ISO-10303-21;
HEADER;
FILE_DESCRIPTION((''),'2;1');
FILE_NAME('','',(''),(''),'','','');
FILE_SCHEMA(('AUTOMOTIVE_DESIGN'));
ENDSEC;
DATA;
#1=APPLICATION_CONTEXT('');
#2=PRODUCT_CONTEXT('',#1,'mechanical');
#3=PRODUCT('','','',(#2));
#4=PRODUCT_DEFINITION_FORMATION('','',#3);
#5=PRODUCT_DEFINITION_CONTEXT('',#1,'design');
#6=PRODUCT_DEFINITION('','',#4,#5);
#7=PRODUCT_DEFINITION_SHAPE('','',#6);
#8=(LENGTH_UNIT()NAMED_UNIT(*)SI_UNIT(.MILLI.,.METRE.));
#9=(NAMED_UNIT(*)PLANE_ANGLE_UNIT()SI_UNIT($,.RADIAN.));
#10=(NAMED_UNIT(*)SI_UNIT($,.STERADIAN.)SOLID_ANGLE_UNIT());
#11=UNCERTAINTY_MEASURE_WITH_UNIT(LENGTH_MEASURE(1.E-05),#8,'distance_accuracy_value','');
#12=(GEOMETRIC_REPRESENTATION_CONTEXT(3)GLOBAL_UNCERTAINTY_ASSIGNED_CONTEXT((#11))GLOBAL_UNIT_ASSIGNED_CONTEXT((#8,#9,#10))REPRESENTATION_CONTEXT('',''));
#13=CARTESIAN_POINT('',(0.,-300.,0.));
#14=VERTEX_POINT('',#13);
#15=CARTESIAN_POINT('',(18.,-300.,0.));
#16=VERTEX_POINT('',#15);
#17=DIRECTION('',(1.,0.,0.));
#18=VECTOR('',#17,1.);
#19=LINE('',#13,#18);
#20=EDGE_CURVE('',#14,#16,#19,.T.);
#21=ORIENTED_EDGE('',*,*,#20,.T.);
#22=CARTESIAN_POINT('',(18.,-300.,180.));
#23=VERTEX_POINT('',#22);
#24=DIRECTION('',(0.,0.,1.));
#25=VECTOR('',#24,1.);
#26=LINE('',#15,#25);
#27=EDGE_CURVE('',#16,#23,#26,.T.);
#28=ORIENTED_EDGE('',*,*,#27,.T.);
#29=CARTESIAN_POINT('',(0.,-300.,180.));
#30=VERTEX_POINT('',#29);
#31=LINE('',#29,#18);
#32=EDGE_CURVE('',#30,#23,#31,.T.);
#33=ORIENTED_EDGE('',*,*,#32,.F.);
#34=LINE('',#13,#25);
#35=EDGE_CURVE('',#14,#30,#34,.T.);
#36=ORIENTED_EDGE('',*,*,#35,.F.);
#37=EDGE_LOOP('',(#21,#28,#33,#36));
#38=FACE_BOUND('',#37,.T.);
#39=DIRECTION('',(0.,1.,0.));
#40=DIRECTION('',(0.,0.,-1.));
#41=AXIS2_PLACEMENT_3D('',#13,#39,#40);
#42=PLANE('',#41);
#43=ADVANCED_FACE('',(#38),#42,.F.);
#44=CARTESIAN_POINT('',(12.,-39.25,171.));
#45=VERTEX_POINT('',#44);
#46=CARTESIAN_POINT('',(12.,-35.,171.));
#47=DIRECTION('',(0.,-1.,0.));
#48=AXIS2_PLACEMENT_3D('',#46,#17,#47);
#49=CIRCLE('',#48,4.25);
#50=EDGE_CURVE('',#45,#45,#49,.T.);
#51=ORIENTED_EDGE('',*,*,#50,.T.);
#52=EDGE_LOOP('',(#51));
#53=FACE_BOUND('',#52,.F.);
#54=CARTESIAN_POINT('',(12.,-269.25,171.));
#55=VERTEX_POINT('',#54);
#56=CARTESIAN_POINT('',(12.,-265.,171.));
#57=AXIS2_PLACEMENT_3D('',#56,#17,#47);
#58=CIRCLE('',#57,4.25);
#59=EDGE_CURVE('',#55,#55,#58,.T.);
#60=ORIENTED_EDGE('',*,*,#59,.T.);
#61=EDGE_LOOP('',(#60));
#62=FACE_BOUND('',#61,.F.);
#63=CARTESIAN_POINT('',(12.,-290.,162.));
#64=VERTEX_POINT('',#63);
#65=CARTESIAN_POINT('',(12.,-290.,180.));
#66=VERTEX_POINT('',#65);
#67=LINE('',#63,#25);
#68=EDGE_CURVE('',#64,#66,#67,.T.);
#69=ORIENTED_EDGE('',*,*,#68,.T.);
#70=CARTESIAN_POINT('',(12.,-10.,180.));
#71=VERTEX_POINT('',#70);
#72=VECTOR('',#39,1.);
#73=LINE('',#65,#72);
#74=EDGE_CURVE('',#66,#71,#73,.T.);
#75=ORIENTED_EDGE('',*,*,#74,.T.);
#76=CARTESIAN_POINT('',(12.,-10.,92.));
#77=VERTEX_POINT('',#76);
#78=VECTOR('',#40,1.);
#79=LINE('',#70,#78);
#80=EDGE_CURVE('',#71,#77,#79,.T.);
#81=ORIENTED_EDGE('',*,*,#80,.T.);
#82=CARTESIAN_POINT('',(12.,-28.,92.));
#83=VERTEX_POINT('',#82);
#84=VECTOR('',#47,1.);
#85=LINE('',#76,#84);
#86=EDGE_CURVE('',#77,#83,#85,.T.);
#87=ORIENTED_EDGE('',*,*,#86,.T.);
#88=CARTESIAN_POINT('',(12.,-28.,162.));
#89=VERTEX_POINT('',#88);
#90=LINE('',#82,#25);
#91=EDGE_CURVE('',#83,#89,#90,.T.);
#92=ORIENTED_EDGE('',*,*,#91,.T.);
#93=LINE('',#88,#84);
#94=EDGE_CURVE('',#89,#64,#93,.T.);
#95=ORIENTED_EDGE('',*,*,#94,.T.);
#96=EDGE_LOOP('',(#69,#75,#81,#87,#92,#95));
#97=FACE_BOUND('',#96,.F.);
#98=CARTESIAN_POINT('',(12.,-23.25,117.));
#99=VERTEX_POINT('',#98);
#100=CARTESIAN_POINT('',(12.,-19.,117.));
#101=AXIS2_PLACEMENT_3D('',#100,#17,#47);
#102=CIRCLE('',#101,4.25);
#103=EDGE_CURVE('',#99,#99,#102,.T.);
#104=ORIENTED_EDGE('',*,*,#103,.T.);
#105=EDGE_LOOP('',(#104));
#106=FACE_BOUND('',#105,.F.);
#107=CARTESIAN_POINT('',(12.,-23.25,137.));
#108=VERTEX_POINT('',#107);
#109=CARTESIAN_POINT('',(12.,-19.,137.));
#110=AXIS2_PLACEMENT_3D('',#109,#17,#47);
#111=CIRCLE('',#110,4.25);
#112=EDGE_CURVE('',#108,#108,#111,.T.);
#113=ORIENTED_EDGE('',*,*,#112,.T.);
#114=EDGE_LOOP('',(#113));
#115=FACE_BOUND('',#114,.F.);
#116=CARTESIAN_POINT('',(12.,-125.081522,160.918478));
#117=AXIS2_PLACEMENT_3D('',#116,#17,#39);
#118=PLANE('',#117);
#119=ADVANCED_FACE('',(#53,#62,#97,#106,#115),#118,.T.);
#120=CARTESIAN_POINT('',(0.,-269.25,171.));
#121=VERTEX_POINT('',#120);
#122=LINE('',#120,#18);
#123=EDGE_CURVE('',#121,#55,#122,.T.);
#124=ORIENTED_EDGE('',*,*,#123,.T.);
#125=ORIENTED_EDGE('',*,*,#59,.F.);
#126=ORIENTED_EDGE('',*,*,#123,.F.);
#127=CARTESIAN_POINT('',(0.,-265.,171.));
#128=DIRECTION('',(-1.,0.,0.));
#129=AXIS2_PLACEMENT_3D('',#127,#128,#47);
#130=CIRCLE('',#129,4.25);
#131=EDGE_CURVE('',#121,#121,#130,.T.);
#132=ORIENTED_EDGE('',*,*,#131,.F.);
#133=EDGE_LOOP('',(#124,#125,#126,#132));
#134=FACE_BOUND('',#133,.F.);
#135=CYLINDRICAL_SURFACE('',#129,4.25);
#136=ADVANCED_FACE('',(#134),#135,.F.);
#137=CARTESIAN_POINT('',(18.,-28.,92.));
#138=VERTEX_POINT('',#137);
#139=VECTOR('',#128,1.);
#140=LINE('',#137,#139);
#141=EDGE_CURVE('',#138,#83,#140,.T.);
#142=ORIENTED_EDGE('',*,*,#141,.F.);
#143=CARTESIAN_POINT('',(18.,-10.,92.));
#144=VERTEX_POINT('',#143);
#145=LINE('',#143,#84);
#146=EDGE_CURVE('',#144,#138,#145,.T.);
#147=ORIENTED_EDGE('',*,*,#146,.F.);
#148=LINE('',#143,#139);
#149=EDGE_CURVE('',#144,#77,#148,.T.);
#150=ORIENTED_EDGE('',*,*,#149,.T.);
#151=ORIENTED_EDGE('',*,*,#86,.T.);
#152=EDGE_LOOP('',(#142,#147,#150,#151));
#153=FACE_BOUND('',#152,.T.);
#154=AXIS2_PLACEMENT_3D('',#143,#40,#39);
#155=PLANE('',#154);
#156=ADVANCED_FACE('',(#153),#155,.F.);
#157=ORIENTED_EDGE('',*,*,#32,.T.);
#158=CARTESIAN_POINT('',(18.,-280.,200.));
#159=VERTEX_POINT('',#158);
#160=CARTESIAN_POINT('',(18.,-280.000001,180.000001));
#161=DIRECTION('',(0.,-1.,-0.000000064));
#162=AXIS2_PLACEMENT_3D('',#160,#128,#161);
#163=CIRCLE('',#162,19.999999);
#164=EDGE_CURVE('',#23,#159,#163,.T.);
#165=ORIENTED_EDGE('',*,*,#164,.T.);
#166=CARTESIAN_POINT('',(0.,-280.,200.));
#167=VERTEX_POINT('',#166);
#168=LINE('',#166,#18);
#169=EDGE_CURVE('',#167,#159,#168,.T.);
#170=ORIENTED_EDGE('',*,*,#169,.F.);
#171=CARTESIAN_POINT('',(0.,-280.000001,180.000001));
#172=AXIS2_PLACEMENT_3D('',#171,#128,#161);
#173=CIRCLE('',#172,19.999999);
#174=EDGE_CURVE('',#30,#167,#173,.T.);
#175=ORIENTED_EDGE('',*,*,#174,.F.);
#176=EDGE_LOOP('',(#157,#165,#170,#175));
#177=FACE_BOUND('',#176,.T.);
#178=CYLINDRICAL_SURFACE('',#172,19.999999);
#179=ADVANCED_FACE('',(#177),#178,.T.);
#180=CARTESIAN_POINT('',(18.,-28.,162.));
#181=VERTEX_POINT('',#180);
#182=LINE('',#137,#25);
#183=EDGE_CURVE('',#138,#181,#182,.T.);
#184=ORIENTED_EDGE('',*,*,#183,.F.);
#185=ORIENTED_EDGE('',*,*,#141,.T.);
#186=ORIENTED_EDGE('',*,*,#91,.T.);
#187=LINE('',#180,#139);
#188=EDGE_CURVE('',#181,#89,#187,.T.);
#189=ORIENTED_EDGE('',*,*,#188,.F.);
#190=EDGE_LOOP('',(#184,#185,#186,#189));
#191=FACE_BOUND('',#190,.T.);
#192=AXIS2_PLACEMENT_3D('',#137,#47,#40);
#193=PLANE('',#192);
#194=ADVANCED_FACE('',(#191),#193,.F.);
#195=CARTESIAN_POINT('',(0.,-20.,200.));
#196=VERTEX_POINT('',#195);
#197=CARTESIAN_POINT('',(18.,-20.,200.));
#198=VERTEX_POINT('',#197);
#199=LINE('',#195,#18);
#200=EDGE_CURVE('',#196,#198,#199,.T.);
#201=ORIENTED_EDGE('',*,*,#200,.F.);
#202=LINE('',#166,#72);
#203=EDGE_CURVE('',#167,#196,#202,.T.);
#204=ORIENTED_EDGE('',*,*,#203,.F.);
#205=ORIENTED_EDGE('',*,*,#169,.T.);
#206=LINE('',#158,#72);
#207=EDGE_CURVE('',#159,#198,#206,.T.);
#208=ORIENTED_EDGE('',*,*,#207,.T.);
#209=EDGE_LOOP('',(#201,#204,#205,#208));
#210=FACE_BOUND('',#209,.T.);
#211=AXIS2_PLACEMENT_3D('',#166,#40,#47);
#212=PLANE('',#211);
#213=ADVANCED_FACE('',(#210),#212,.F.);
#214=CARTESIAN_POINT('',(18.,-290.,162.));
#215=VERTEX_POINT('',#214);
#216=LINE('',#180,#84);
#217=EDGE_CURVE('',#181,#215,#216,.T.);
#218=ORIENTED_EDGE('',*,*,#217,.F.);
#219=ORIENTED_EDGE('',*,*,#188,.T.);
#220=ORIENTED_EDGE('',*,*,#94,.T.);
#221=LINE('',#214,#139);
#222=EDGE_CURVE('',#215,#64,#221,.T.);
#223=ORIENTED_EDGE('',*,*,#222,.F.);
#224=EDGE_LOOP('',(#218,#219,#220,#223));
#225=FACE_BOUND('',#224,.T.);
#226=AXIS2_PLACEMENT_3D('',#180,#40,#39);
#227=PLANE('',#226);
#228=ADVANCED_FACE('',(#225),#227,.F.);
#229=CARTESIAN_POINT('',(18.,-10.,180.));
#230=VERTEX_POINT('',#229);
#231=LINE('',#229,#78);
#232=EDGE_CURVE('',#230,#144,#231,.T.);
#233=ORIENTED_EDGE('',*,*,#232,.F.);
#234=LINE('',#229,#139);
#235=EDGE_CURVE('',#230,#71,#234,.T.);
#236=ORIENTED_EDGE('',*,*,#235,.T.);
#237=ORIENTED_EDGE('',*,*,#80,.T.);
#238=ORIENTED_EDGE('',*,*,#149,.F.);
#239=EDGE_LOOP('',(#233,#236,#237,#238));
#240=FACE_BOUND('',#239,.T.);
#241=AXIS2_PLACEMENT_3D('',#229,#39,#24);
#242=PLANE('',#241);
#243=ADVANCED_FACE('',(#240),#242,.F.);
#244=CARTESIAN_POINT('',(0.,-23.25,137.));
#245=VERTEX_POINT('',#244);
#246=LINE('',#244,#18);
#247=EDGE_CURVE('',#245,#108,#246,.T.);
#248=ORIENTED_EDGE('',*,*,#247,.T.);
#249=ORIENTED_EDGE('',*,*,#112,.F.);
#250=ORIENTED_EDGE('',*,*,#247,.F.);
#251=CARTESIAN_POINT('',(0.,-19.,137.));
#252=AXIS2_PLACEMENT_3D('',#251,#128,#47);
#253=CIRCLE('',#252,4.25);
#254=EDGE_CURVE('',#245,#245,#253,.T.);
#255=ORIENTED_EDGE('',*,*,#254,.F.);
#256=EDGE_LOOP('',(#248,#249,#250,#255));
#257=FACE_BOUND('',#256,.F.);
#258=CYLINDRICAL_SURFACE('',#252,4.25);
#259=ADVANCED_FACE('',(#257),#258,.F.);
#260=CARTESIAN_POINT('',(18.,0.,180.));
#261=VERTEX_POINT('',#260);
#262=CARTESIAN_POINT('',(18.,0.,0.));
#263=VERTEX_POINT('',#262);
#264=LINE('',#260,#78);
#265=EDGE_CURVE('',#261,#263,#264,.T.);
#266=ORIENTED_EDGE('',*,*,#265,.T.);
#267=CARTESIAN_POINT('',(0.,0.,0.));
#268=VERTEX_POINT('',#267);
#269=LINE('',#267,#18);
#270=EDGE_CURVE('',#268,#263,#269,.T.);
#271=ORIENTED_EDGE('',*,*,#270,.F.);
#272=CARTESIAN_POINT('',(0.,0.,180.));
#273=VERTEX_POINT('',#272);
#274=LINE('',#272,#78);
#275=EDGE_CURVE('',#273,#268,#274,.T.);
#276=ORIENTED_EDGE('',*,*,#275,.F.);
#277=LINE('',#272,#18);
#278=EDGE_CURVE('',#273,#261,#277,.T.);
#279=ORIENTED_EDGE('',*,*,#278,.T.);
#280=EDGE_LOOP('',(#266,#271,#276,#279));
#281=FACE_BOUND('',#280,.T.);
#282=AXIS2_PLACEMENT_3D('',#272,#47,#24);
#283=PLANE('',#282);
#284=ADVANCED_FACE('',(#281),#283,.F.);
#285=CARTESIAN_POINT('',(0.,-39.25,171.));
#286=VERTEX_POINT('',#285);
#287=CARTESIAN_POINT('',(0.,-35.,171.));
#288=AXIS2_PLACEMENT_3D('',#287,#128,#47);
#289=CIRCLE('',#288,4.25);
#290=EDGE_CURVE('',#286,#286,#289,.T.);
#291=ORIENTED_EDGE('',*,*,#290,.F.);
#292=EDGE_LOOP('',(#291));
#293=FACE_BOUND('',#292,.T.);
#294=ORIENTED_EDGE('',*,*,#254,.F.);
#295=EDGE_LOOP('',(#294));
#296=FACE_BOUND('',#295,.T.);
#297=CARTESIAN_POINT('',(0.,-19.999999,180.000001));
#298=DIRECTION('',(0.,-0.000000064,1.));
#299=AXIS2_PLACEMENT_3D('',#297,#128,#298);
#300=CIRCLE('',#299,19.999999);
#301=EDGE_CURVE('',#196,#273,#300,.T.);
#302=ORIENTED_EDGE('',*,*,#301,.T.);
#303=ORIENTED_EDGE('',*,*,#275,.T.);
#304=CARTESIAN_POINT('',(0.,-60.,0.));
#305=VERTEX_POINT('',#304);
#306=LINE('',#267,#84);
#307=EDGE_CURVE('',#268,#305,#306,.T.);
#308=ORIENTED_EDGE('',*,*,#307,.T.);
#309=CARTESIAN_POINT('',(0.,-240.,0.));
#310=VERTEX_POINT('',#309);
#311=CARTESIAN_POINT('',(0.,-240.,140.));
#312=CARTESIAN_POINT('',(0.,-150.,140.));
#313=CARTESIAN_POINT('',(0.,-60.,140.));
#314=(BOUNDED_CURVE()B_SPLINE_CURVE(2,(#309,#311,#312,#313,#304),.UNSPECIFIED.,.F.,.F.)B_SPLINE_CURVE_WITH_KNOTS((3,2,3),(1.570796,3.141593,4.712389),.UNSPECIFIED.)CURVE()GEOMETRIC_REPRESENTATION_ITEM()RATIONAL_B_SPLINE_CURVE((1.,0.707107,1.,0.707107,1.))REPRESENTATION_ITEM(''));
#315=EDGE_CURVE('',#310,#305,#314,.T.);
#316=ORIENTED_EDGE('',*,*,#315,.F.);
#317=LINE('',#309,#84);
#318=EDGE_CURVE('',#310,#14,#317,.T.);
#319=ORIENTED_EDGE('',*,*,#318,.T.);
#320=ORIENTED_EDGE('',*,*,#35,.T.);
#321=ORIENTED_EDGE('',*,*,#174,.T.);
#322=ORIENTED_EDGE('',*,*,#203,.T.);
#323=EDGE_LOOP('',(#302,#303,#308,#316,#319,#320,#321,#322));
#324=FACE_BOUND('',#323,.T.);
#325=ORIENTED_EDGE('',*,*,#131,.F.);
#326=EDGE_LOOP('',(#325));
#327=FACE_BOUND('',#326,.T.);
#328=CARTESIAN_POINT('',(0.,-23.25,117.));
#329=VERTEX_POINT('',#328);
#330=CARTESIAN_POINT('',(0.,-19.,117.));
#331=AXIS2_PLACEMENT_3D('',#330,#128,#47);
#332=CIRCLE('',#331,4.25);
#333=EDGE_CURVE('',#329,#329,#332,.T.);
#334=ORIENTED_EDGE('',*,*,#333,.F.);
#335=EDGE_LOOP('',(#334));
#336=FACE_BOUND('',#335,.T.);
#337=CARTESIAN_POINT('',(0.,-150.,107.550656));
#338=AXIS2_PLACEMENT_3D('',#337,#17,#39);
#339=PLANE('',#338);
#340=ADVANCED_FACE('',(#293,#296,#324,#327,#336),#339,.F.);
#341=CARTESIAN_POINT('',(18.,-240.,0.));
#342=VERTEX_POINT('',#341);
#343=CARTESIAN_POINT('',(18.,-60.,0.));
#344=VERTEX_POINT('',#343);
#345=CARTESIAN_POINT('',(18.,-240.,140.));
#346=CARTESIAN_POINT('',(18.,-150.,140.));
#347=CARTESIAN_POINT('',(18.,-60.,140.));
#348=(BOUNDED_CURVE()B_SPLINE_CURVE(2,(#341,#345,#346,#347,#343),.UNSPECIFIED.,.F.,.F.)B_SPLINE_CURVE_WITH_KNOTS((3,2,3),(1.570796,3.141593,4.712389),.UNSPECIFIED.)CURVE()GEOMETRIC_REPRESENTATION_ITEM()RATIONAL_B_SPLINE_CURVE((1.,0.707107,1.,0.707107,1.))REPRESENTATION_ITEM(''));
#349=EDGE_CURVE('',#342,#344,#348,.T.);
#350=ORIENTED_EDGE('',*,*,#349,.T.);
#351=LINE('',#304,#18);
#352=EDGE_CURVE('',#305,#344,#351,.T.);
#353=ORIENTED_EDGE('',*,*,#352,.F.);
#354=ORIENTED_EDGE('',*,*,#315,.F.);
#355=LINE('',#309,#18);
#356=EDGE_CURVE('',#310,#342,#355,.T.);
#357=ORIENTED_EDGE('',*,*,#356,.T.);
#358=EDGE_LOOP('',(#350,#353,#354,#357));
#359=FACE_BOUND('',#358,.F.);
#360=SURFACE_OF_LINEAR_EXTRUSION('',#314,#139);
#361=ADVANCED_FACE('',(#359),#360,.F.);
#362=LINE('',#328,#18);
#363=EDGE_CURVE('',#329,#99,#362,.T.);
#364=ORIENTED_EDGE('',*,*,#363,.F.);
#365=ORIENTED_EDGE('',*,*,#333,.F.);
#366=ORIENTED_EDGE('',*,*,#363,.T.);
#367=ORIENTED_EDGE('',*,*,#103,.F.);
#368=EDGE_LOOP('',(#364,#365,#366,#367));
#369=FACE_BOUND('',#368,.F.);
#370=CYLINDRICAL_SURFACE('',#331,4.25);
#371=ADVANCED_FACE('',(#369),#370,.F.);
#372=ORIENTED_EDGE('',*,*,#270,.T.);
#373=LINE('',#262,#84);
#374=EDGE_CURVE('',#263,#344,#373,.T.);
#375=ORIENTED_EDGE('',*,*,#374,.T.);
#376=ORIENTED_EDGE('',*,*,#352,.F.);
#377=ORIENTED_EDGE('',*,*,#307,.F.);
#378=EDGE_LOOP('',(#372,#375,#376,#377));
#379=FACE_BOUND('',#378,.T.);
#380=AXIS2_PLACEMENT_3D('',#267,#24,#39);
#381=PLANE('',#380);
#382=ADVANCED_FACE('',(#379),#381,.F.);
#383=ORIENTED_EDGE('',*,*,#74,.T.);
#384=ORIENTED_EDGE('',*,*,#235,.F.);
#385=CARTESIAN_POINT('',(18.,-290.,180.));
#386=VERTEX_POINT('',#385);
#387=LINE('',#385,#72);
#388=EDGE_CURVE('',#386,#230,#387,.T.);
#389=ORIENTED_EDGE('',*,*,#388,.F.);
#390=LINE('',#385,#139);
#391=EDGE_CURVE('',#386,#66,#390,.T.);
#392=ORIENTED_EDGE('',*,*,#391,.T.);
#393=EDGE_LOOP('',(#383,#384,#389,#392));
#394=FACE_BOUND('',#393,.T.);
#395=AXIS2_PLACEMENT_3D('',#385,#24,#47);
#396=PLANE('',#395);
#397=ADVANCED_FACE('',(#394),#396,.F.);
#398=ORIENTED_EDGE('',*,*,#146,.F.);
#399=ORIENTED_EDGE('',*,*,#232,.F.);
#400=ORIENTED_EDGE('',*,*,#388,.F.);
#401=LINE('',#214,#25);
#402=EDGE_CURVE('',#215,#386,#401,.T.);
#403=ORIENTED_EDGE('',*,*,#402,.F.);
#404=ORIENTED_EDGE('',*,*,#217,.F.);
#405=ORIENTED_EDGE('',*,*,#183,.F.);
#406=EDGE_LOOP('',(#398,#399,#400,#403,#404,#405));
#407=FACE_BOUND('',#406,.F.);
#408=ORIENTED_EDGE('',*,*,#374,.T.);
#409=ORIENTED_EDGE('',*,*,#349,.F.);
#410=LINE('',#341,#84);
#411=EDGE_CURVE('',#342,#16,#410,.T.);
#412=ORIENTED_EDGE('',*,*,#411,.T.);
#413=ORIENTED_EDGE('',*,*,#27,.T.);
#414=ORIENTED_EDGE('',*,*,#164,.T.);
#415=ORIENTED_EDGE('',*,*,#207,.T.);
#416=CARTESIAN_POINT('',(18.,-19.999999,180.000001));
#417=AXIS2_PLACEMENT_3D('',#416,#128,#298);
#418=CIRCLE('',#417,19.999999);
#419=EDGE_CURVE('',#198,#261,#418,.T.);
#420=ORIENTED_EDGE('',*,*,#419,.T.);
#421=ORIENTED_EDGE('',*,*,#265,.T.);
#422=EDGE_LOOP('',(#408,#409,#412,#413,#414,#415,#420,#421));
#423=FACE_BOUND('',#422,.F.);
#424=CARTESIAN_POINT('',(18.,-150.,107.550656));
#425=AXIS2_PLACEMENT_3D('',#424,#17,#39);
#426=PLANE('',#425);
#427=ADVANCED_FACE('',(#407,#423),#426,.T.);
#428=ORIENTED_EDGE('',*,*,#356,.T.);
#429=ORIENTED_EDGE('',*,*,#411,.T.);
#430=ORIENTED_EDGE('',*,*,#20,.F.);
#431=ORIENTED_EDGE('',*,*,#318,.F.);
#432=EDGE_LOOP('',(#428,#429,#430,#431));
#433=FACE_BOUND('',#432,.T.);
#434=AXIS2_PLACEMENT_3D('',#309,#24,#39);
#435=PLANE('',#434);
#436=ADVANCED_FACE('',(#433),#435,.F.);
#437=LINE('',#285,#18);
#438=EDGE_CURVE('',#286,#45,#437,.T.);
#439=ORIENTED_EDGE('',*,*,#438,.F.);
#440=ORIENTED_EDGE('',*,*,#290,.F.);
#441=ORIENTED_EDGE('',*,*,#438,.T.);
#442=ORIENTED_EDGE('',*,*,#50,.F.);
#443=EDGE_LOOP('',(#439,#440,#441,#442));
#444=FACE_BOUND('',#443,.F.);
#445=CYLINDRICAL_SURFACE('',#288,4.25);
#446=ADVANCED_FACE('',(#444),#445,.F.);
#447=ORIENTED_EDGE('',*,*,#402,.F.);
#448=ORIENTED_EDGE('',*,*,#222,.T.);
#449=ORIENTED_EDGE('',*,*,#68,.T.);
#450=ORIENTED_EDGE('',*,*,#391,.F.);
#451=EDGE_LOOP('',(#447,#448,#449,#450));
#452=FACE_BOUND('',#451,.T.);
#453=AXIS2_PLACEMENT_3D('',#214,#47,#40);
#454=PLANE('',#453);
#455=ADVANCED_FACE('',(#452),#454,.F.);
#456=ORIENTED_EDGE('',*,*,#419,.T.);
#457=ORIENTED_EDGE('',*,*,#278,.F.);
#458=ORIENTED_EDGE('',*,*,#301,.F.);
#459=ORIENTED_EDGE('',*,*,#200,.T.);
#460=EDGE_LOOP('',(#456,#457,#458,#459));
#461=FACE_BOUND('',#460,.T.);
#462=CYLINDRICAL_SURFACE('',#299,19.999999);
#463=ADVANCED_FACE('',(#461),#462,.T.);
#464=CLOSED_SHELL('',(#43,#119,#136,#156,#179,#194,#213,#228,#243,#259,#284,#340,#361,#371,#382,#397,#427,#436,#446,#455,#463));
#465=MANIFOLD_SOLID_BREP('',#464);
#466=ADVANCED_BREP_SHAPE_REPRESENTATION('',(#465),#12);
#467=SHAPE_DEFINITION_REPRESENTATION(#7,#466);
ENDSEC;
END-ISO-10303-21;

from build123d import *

# Parameters (mm, degrees)
PAD_DEPTH            = 18
POCKET_DEPTH         = 6
SKETCH002_R          = 4.25
POCKET001_DEPTH      = 0.001
POCKET001_DEPTH_BACK = 18.001


with BuildPart() as body:
    # Sketch → Pad (new body)
    with BuildSketch(Plane.YZ):
        with BuildLine():
            ThreePointArc((20, 200), (5.857864, 194.142136), (0, 180))
            Line((0, 180), (0, 0))
            Line((0, 0), (60, 0))
            add(Edge.make_bspline(
                [(240, 0), (240, 140), (150, 140), (60, 140), (60, 0)],
                knots=[1.570796, 1.570796, 1.570796, 3.141593, 3.141593, 4.712389, 4.712389, 4.712389], degree=2, weights=[1, 0.707107, 1, 0.707107, 1]))
            Line((240, 0), (300, 0))
            Line((300, 0), (300, 180))
            ThreePointArc((300, 180), (294.142136, 194.142136), (280, 200))
            Line((280, 200), (225, 200))
            Line((225, 200), (75, 200))
            Line((75, 200), (20, 200))
        make_face()
    extrude(amount=PAD_DEPTH)

    # Sketch001 → Pocket (cut)
    with BuildSketch(Plane.YZ.offset(18)):
        Polygon((28, 92), (28, 162), (290, 162), (290, 180), (10, 180), (10, 92), align=None)
    extrude(amount=-POCKET_DEPTH, mode=Mode.SUBTRACT)

    # Sketch002 → Pocket001 (cut, two sides)
    with BuildSketch(Plane.YZ) as pocket001_sk:
        with Locations((19, 137)):
            Circle(SKETCH002_R)
        with Locations((19, 117)):
            Circle(SKETCH002_R)
        with Locations((35, 171)):
            Circle(SKETCH002_R)
        with Locations((265, 171)):
            Circle(SKETCH002_R)
    extrude(amount=-POCKET001_DEPTH, mode=Mode.SUBTRACT)
    extrude(pocket001_sk.sketch, amount=POCKET001_DEPTH_BACK, mode=Mode.SUBTRACT)


with BuildPart() as part_mirroring:
    # Part__Mirroring: instance of Body
    add(body.part.mirror(Plane(origin=(0, 0, 0), x_dir=(1, 0, 0), z_dir=(0, 1, 0))))


solid = part_mirroring.part
